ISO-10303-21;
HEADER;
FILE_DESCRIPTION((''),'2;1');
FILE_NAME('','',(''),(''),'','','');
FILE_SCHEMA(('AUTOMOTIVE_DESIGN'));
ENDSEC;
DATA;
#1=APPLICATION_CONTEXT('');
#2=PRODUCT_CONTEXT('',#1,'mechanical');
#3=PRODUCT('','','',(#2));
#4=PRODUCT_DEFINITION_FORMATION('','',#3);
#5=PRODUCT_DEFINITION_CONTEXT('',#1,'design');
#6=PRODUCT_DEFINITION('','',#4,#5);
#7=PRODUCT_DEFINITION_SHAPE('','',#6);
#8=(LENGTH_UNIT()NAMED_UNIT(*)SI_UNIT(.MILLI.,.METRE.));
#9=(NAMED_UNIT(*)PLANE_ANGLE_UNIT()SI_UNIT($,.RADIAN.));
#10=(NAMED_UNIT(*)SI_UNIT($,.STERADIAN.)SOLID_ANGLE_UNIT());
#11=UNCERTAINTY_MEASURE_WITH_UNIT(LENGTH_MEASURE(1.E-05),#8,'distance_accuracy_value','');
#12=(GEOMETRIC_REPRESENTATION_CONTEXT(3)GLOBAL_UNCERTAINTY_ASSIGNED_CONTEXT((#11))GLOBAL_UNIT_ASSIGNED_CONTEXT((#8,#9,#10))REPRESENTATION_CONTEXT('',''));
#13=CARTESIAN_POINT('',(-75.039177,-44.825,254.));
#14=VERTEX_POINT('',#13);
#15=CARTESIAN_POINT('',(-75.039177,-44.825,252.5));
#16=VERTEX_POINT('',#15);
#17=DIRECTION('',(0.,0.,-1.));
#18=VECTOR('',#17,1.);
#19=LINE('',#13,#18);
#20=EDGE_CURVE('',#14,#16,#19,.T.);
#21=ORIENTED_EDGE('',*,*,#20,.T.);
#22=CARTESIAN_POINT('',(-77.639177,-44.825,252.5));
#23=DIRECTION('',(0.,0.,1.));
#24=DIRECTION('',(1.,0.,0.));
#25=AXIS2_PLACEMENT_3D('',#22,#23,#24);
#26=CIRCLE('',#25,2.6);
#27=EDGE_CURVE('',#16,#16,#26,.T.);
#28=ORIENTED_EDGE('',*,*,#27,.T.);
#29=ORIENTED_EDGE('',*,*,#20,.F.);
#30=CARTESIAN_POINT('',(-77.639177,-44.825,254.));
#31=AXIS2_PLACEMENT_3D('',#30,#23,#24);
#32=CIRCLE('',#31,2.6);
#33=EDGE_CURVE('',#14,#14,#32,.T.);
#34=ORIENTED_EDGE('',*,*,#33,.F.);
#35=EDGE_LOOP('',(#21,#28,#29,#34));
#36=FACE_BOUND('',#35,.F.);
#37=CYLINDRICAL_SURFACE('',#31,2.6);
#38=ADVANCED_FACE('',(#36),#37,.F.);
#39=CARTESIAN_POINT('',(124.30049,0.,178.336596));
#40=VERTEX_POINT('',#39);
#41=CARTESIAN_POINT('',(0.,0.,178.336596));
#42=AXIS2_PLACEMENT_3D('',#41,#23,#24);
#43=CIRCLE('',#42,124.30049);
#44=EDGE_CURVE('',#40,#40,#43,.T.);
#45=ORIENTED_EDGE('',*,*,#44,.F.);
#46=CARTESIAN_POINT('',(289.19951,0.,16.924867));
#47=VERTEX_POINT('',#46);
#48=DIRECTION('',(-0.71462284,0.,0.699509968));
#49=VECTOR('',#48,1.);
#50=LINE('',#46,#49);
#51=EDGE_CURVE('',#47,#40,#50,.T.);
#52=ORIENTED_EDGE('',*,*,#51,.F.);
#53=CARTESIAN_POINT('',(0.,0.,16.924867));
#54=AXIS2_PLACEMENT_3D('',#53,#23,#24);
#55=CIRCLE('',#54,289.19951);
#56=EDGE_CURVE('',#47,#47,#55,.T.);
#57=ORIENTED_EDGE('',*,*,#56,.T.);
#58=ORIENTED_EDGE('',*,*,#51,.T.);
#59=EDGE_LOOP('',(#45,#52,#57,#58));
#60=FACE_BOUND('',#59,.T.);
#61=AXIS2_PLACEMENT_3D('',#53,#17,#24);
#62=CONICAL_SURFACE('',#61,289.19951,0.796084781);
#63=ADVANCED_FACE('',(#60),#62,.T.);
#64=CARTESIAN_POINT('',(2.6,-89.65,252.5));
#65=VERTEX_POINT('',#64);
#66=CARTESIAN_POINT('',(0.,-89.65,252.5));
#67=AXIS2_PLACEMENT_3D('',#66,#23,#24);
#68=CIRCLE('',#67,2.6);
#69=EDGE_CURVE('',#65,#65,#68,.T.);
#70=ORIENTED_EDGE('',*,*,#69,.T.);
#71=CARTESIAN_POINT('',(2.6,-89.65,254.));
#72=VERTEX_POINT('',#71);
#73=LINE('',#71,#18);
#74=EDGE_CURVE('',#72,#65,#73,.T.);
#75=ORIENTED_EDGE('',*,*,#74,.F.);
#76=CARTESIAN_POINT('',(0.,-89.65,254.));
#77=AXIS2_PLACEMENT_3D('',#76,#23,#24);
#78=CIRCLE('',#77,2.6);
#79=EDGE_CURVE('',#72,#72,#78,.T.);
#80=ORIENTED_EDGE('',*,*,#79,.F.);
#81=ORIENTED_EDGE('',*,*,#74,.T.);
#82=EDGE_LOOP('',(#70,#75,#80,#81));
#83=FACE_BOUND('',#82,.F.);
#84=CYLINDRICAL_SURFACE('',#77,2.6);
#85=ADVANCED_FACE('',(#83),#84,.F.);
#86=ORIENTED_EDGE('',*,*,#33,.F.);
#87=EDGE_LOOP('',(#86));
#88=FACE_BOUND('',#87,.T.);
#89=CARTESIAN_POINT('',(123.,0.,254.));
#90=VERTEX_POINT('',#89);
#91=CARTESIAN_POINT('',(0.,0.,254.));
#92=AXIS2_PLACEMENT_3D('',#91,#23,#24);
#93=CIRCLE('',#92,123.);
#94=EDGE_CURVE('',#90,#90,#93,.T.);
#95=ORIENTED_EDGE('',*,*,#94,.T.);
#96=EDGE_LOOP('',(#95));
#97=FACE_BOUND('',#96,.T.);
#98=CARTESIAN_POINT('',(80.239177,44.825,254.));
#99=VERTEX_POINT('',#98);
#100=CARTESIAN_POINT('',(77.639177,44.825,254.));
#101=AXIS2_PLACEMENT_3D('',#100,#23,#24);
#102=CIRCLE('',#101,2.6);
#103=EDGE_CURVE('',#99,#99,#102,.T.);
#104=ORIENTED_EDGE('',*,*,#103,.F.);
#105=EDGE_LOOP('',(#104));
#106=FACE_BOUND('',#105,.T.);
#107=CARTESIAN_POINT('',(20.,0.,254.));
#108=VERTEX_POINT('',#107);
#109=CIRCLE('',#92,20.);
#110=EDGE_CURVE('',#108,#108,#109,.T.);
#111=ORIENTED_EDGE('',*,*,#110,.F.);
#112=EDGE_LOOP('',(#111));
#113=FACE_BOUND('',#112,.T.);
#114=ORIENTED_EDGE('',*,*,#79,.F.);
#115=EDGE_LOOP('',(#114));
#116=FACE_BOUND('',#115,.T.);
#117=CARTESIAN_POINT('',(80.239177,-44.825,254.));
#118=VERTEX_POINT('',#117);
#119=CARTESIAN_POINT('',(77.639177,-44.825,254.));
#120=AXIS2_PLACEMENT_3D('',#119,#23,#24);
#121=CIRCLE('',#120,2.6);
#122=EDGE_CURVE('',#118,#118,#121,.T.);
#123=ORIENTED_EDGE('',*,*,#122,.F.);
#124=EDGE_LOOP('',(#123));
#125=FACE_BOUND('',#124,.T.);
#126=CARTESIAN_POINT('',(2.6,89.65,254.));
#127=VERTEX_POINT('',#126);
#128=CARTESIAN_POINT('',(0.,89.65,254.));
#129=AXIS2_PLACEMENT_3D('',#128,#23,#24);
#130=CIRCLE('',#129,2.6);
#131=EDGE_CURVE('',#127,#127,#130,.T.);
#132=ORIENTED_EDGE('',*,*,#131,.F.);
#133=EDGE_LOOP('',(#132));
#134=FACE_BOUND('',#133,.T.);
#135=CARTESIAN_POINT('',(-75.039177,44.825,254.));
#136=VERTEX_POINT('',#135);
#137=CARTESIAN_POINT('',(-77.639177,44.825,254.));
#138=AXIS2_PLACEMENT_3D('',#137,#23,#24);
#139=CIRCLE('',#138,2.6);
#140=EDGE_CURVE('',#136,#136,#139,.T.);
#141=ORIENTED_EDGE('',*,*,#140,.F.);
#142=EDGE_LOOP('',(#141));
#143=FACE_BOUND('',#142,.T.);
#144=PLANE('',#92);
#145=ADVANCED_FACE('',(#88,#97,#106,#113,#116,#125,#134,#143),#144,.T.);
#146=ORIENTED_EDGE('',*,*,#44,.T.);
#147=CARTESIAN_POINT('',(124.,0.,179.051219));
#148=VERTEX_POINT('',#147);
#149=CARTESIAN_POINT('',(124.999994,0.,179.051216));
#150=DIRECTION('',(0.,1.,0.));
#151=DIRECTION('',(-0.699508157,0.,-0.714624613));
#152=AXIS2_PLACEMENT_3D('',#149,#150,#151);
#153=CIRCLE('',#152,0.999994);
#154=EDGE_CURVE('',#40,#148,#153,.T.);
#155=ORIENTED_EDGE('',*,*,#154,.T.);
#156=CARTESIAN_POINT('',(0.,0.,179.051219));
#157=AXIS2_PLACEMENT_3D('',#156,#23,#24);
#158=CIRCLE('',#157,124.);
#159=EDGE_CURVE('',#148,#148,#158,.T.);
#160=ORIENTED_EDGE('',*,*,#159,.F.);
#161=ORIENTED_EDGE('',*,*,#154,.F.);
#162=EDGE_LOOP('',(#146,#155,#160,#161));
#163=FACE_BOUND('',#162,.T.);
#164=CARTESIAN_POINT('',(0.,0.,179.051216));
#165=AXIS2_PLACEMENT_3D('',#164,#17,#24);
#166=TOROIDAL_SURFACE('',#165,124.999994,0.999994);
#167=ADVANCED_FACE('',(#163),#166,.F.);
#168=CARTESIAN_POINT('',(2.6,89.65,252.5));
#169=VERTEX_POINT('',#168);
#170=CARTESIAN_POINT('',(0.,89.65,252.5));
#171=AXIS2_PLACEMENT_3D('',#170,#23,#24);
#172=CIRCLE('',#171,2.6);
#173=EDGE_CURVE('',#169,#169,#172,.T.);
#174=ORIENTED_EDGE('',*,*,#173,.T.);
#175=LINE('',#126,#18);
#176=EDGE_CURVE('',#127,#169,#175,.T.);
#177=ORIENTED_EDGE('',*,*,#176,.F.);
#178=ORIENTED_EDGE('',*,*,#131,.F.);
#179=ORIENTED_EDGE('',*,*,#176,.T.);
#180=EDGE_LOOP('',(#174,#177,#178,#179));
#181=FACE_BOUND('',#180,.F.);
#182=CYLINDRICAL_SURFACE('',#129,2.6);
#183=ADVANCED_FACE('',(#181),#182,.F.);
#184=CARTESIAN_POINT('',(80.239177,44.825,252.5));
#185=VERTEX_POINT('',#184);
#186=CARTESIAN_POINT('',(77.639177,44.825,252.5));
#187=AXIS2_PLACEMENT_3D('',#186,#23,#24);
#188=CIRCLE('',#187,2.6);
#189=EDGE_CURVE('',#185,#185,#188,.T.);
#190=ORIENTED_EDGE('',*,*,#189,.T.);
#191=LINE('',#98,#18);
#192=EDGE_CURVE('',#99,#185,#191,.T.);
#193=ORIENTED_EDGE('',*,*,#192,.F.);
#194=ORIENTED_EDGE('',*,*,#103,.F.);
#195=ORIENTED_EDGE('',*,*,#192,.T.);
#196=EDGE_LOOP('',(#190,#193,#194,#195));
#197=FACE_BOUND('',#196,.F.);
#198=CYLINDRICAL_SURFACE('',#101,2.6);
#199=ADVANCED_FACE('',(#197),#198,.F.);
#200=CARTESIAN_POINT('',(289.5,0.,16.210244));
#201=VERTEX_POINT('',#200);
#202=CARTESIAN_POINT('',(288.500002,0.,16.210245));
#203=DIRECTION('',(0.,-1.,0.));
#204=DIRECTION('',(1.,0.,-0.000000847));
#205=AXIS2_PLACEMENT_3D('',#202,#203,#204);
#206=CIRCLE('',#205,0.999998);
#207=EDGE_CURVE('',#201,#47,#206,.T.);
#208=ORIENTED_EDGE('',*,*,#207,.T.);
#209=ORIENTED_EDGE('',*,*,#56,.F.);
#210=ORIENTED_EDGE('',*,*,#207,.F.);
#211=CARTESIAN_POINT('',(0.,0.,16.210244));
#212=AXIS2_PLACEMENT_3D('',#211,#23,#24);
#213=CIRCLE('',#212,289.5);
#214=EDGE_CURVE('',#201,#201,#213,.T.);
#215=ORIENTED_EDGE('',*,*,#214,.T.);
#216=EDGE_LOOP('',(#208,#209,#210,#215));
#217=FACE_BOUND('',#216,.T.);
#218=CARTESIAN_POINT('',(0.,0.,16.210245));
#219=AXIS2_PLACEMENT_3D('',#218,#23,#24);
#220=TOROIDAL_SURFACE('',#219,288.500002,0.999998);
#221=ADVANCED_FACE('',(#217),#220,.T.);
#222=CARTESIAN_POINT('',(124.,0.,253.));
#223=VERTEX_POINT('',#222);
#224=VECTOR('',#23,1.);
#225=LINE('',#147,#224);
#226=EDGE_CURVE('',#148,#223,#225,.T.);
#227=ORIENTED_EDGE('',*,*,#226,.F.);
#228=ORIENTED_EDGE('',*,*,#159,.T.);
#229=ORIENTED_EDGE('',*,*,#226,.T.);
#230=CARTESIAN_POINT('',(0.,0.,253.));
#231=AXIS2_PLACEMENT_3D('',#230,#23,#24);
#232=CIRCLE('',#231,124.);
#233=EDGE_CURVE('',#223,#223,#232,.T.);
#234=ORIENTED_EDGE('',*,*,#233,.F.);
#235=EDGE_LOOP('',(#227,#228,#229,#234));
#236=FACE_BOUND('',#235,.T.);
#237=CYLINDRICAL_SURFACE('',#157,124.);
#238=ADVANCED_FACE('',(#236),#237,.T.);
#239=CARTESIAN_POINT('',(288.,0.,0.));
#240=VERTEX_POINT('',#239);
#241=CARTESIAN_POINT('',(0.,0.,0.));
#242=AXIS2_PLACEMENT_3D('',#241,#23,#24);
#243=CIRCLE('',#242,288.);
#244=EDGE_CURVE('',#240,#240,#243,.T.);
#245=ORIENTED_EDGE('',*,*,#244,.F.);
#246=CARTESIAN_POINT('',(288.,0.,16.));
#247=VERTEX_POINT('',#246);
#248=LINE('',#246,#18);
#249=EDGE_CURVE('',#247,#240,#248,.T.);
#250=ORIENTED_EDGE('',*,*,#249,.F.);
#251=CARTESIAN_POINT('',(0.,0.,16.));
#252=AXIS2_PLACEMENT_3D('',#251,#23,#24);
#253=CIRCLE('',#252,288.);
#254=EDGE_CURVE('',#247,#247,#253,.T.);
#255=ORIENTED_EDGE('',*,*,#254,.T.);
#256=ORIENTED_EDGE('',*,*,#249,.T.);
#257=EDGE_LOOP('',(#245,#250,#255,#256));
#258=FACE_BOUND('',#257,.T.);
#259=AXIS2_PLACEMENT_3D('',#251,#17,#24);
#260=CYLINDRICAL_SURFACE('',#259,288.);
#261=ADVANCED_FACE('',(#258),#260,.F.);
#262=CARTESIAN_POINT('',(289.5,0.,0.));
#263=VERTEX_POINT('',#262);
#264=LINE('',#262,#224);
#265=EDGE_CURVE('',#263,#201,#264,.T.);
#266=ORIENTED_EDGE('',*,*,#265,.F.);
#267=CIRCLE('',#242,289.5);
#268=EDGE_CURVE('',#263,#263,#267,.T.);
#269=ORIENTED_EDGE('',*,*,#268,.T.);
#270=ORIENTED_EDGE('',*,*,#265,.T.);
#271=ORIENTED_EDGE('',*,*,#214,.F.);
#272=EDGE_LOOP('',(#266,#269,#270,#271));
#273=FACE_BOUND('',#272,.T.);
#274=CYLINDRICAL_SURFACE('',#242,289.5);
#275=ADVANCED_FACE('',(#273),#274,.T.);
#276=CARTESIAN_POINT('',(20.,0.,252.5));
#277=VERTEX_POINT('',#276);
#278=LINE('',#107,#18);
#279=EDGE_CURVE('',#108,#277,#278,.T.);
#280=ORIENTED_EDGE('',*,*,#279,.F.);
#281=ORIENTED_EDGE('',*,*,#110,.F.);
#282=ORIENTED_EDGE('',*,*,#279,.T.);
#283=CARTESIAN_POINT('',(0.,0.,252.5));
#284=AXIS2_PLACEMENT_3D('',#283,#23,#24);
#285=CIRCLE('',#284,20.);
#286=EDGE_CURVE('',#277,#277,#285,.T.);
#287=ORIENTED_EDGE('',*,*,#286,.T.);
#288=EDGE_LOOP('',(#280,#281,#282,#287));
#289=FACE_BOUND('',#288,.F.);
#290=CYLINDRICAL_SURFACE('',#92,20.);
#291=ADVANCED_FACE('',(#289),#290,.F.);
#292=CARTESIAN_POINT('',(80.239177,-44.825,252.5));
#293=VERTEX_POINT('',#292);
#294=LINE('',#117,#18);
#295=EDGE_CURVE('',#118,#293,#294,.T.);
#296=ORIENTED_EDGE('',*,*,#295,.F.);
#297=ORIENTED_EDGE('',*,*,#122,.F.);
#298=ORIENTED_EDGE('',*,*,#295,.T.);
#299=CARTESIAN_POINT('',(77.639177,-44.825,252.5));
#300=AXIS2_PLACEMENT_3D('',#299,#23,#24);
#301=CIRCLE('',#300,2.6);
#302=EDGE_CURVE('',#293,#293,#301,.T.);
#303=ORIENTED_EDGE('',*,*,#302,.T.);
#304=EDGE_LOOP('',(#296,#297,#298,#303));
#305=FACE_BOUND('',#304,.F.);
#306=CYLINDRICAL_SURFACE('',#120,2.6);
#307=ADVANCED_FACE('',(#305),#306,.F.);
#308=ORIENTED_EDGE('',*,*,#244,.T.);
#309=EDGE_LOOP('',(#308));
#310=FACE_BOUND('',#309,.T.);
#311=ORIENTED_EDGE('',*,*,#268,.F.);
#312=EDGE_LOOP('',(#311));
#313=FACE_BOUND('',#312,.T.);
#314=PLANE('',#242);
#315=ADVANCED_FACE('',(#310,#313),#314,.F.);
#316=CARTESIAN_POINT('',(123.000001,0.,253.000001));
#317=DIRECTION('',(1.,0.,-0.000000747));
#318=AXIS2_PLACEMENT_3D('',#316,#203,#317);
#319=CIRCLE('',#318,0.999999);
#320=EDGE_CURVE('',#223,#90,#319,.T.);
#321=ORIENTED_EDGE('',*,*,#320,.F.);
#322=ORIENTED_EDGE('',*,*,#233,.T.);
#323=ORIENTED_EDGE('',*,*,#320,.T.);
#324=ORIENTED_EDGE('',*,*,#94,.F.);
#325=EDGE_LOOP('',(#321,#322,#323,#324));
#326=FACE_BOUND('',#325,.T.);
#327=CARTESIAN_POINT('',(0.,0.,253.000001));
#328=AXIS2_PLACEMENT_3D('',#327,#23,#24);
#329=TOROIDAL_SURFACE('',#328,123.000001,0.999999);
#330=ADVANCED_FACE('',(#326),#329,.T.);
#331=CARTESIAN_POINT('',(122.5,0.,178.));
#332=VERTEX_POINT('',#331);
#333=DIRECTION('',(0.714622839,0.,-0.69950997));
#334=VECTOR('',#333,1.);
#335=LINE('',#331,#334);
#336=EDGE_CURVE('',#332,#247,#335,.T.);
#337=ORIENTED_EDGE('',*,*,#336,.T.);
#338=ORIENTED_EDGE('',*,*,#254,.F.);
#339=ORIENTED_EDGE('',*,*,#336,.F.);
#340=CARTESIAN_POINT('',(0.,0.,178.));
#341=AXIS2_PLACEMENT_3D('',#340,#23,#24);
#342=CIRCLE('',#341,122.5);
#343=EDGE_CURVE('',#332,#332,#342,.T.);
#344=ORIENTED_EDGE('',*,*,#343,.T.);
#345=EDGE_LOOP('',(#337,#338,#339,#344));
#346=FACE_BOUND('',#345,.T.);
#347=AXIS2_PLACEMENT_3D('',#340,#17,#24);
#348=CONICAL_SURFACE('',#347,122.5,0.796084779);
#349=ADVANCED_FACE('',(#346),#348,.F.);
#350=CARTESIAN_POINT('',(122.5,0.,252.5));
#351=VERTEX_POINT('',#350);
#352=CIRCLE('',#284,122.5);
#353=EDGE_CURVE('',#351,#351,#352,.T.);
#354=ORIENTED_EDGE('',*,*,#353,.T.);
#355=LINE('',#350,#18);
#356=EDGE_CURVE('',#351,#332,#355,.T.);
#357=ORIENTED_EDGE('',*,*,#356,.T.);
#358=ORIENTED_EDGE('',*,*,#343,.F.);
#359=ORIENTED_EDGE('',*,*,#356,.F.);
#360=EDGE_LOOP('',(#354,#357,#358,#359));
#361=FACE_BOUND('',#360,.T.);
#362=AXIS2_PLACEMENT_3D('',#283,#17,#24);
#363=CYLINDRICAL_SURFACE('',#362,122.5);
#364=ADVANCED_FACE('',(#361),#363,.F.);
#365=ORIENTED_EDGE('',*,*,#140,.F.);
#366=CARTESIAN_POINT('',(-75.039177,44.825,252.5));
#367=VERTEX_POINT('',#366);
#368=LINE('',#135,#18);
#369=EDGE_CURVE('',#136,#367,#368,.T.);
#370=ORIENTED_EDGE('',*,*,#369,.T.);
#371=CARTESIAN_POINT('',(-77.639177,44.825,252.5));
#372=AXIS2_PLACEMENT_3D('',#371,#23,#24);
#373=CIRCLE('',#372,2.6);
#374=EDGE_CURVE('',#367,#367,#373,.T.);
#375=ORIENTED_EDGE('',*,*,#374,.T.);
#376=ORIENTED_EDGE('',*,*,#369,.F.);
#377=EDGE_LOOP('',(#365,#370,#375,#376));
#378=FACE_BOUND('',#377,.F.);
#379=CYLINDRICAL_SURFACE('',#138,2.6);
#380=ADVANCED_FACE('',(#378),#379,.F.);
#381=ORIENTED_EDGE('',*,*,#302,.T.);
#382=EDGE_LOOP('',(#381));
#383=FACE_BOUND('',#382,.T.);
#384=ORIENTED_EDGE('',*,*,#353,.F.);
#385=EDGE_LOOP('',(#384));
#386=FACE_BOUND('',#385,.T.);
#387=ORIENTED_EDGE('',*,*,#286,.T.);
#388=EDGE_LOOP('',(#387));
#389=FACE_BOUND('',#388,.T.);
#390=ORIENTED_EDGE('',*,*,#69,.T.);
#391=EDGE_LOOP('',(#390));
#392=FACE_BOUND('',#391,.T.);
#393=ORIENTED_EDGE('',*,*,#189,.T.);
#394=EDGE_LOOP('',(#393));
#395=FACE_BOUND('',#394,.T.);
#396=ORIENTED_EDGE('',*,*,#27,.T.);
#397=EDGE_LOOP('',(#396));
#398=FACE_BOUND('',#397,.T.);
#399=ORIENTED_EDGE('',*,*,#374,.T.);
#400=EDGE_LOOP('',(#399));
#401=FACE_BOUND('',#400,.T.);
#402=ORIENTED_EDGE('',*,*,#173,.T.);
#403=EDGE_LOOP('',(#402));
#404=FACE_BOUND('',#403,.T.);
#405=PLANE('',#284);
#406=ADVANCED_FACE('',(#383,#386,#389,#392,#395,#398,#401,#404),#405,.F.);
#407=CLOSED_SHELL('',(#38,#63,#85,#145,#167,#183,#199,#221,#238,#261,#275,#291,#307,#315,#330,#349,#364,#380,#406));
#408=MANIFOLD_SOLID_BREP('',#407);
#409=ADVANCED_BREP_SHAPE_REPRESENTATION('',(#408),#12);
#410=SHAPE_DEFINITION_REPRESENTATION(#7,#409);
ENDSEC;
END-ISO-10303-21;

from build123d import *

# Parameters (mm, degrees)
F2_R     = 5
F3_DEPTH = 1.5
F4_R     = 20
F5_DEPTH = 254.001
F6_R     = 2.6
F7_DEPTH = 254.001


with BuildPart() as f1:
    # F0 (on Front) → F1 (revolve)
    with BuildSketch(Plane.XZ):
        with BuildLine():
            Line((288, 16), (288, 0))
            Line((288, 0), (289.5, 0))
            Line((289.5, 0), (289.5, 16.210244))
            ThreePointArc((289.5, 16.210244), (289.421822, 16.597858), (289.19951, 16.924867))
            Line((289.19951, 16.924867), (124.30049, 178.336596))
            ThreePointArc((124.30049, 178.336596), (124.078178, 178.663604), (124, 179.051219))
            Line((124, 179.051219), (124, 253))
            ThreePointArc((124, 253), (123.707107, 253.707107), (123, 254))
            Line((123, 254), (0, 254))
            Line((0, 254), (0, 252.5))
            Line((0, 252.5), (122.5, 252.5))
            Line((122.5, 252.5), (122.5, 178))
            Line((122.5, 178), (288, 16))
        make_face()
    revolve(axis=Axis((0, 0, 126.25), (0, 0, 1)))

    # F2 (on face) → F3 (cut, through all)
    with BuildSketch(Plane.XY.offset(254)):
        Circle(F2_R)
    extrude(amount=-F3_DEPTH, mode=Mode.SUBTRACT)

    # F4 (on face) → F5 (cut, through all)
    with BuildSketch(Plane.XY.offset(254)):
        Circle(F4_R)
    extrude(amount=-F5_DEPTH, mode=Mode.SUBTRACT)

    # F6 (on face) → F7 (cut, through all)
    with BuildSketch(Plane.XY.offset(254)):
        with Locations((0, 89.65)):
            Circle(F6_R)
        with Locations((-77.639177, 44.825)):
            Circle(F6_R)
        with Locations((-77.639177, -44.825)):
            Circle(F6_R)
        with Locations((0, -89.65)):
            Circle(F6_R)
        with Locations((77.639177, -44.825)):
            Circle(F6_R)
        with Locations((77.639177, 44.825)):
            Circle(F6_R)
    extrude(amount=-F7_DEPTH, mode=Mode.SUBTRACT)


solid = f1.part
